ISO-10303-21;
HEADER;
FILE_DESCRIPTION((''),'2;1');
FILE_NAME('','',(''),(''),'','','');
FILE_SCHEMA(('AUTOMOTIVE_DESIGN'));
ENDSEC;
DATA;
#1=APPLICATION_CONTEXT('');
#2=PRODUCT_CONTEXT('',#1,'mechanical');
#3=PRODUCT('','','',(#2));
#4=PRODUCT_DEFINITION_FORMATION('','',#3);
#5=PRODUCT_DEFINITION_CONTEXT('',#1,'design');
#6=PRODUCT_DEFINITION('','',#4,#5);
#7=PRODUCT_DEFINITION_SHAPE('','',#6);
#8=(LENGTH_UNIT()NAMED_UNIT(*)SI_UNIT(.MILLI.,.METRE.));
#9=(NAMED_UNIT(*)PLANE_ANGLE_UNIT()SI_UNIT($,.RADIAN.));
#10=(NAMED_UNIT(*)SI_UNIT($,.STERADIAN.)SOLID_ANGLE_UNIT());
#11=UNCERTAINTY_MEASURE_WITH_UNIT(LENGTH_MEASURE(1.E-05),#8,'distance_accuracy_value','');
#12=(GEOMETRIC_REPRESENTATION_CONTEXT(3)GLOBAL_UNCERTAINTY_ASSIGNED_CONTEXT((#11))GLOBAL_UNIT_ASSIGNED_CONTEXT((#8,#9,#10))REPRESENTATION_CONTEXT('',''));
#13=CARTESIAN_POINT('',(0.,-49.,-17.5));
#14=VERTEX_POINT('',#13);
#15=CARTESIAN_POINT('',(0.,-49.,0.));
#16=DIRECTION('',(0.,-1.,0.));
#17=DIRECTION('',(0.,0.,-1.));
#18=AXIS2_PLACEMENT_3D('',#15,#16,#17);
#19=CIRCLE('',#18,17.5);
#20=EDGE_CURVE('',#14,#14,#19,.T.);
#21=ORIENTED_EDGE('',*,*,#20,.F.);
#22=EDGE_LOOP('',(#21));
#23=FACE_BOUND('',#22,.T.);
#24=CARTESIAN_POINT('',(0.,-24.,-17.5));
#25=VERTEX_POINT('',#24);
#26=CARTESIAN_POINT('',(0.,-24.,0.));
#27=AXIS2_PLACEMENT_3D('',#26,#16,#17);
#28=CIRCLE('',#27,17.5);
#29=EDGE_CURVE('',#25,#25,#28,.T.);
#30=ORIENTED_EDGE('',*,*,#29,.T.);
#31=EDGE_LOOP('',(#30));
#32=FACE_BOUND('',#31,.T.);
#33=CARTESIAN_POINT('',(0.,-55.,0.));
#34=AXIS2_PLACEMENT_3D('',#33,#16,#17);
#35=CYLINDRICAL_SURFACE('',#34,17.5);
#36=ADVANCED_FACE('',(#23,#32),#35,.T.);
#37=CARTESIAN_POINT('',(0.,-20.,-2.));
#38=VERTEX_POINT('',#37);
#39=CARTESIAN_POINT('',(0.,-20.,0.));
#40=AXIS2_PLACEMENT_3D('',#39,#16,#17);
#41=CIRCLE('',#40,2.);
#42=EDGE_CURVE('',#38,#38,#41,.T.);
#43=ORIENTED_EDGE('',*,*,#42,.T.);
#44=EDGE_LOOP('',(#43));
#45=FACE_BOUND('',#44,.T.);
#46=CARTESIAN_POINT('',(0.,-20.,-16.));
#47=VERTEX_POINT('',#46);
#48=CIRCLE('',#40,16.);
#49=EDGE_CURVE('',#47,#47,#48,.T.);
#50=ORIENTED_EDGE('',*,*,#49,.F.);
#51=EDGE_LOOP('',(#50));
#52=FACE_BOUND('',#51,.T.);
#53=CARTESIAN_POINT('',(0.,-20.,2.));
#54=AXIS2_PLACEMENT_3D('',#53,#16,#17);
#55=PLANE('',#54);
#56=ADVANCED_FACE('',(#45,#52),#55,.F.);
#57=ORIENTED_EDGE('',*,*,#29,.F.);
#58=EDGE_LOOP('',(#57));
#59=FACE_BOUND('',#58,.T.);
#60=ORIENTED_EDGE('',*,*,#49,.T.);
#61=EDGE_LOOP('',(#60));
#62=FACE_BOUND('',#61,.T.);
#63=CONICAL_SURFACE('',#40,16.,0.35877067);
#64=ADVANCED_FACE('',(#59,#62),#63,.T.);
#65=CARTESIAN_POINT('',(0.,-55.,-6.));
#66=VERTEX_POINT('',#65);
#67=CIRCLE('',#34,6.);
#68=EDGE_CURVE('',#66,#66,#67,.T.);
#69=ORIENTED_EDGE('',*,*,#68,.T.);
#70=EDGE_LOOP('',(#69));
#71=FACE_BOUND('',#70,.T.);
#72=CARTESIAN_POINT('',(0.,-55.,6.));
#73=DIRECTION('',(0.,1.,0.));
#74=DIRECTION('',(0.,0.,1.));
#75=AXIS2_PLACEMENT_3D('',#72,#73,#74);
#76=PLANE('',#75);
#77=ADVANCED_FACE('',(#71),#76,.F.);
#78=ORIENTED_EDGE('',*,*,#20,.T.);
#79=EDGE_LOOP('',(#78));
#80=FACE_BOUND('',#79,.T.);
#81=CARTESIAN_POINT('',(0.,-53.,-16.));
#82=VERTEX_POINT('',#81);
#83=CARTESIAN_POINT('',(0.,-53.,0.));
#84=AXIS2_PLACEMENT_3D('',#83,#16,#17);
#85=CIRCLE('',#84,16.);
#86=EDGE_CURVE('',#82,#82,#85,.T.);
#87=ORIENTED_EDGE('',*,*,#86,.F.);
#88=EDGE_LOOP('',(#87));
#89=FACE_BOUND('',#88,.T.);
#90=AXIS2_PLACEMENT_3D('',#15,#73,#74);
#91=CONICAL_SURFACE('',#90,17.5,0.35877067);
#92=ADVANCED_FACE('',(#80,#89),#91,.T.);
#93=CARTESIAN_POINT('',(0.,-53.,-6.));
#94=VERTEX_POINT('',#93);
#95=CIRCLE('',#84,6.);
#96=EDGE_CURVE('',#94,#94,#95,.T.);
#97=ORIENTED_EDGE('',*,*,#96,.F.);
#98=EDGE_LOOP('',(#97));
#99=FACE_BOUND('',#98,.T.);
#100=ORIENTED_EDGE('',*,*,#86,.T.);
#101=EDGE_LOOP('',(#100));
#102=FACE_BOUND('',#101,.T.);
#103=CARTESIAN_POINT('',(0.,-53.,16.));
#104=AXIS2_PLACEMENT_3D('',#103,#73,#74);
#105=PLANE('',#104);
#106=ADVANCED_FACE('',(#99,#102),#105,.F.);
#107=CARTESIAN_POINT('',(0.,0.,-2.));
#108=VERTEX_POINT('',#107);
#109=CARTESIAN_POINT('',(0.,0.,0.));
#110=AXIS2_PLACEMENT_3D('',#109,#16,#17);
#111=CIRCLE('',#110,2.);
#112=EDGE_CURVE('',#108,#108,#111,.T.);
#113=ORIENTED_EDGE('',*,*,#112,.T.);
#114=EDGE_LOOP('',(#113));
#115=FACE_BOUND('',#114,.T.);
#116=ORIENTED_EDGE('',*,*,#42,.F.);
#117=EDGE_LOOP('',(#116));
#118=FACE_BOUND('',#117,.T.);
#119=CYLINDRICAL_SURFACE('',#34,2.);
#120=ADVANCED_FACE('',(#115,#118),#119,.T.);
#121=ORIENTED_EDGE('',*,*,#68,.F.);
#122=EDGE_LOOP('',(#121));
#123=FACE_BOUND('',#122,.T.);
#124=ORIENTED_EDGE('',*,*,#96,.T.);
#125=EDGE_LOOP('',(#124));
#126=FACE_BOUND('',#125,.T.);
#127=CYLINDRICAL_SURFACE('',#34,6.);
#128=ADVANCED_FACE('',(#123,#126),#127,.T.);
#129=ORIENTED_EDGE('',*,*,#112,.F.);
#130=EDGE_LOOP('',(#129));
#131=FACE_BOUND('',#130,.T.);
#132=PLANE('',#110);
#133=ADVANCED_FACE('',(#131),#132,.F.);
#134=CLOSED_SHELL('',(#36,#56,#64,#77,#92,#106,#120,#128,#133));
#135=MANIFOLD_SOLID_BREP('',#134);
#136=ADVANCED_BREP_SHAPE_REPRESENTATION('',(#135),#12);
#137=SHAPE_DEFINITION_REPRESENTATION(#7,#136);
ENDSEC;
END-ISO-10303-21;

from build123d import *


with BuildPart() as part:
    # Sketch1 → Revolve1 (revolve)
    with BuildSketch(Plane(origin=(0, 0, 0), x_dir=(0, 0, -1), z_dir=(1, 0, 0)), mode=Mode.PRIVATE) as revolve1_sk:
        Polygon((0, 0), (-2, 0), (-2, -20), (-16, -20), (-17.5, -24), (-17.5, -49), (-16, -53), (-6, -53), (-6, -55), (0, -55), align=None)
    revolve(revolve1_sk.sketch.rotate(Axis((0, -55, 0), (0, 1, 0)), 180), axis=Axis((0, -55, 0), (0, 1, 0)))


solid = part.part
